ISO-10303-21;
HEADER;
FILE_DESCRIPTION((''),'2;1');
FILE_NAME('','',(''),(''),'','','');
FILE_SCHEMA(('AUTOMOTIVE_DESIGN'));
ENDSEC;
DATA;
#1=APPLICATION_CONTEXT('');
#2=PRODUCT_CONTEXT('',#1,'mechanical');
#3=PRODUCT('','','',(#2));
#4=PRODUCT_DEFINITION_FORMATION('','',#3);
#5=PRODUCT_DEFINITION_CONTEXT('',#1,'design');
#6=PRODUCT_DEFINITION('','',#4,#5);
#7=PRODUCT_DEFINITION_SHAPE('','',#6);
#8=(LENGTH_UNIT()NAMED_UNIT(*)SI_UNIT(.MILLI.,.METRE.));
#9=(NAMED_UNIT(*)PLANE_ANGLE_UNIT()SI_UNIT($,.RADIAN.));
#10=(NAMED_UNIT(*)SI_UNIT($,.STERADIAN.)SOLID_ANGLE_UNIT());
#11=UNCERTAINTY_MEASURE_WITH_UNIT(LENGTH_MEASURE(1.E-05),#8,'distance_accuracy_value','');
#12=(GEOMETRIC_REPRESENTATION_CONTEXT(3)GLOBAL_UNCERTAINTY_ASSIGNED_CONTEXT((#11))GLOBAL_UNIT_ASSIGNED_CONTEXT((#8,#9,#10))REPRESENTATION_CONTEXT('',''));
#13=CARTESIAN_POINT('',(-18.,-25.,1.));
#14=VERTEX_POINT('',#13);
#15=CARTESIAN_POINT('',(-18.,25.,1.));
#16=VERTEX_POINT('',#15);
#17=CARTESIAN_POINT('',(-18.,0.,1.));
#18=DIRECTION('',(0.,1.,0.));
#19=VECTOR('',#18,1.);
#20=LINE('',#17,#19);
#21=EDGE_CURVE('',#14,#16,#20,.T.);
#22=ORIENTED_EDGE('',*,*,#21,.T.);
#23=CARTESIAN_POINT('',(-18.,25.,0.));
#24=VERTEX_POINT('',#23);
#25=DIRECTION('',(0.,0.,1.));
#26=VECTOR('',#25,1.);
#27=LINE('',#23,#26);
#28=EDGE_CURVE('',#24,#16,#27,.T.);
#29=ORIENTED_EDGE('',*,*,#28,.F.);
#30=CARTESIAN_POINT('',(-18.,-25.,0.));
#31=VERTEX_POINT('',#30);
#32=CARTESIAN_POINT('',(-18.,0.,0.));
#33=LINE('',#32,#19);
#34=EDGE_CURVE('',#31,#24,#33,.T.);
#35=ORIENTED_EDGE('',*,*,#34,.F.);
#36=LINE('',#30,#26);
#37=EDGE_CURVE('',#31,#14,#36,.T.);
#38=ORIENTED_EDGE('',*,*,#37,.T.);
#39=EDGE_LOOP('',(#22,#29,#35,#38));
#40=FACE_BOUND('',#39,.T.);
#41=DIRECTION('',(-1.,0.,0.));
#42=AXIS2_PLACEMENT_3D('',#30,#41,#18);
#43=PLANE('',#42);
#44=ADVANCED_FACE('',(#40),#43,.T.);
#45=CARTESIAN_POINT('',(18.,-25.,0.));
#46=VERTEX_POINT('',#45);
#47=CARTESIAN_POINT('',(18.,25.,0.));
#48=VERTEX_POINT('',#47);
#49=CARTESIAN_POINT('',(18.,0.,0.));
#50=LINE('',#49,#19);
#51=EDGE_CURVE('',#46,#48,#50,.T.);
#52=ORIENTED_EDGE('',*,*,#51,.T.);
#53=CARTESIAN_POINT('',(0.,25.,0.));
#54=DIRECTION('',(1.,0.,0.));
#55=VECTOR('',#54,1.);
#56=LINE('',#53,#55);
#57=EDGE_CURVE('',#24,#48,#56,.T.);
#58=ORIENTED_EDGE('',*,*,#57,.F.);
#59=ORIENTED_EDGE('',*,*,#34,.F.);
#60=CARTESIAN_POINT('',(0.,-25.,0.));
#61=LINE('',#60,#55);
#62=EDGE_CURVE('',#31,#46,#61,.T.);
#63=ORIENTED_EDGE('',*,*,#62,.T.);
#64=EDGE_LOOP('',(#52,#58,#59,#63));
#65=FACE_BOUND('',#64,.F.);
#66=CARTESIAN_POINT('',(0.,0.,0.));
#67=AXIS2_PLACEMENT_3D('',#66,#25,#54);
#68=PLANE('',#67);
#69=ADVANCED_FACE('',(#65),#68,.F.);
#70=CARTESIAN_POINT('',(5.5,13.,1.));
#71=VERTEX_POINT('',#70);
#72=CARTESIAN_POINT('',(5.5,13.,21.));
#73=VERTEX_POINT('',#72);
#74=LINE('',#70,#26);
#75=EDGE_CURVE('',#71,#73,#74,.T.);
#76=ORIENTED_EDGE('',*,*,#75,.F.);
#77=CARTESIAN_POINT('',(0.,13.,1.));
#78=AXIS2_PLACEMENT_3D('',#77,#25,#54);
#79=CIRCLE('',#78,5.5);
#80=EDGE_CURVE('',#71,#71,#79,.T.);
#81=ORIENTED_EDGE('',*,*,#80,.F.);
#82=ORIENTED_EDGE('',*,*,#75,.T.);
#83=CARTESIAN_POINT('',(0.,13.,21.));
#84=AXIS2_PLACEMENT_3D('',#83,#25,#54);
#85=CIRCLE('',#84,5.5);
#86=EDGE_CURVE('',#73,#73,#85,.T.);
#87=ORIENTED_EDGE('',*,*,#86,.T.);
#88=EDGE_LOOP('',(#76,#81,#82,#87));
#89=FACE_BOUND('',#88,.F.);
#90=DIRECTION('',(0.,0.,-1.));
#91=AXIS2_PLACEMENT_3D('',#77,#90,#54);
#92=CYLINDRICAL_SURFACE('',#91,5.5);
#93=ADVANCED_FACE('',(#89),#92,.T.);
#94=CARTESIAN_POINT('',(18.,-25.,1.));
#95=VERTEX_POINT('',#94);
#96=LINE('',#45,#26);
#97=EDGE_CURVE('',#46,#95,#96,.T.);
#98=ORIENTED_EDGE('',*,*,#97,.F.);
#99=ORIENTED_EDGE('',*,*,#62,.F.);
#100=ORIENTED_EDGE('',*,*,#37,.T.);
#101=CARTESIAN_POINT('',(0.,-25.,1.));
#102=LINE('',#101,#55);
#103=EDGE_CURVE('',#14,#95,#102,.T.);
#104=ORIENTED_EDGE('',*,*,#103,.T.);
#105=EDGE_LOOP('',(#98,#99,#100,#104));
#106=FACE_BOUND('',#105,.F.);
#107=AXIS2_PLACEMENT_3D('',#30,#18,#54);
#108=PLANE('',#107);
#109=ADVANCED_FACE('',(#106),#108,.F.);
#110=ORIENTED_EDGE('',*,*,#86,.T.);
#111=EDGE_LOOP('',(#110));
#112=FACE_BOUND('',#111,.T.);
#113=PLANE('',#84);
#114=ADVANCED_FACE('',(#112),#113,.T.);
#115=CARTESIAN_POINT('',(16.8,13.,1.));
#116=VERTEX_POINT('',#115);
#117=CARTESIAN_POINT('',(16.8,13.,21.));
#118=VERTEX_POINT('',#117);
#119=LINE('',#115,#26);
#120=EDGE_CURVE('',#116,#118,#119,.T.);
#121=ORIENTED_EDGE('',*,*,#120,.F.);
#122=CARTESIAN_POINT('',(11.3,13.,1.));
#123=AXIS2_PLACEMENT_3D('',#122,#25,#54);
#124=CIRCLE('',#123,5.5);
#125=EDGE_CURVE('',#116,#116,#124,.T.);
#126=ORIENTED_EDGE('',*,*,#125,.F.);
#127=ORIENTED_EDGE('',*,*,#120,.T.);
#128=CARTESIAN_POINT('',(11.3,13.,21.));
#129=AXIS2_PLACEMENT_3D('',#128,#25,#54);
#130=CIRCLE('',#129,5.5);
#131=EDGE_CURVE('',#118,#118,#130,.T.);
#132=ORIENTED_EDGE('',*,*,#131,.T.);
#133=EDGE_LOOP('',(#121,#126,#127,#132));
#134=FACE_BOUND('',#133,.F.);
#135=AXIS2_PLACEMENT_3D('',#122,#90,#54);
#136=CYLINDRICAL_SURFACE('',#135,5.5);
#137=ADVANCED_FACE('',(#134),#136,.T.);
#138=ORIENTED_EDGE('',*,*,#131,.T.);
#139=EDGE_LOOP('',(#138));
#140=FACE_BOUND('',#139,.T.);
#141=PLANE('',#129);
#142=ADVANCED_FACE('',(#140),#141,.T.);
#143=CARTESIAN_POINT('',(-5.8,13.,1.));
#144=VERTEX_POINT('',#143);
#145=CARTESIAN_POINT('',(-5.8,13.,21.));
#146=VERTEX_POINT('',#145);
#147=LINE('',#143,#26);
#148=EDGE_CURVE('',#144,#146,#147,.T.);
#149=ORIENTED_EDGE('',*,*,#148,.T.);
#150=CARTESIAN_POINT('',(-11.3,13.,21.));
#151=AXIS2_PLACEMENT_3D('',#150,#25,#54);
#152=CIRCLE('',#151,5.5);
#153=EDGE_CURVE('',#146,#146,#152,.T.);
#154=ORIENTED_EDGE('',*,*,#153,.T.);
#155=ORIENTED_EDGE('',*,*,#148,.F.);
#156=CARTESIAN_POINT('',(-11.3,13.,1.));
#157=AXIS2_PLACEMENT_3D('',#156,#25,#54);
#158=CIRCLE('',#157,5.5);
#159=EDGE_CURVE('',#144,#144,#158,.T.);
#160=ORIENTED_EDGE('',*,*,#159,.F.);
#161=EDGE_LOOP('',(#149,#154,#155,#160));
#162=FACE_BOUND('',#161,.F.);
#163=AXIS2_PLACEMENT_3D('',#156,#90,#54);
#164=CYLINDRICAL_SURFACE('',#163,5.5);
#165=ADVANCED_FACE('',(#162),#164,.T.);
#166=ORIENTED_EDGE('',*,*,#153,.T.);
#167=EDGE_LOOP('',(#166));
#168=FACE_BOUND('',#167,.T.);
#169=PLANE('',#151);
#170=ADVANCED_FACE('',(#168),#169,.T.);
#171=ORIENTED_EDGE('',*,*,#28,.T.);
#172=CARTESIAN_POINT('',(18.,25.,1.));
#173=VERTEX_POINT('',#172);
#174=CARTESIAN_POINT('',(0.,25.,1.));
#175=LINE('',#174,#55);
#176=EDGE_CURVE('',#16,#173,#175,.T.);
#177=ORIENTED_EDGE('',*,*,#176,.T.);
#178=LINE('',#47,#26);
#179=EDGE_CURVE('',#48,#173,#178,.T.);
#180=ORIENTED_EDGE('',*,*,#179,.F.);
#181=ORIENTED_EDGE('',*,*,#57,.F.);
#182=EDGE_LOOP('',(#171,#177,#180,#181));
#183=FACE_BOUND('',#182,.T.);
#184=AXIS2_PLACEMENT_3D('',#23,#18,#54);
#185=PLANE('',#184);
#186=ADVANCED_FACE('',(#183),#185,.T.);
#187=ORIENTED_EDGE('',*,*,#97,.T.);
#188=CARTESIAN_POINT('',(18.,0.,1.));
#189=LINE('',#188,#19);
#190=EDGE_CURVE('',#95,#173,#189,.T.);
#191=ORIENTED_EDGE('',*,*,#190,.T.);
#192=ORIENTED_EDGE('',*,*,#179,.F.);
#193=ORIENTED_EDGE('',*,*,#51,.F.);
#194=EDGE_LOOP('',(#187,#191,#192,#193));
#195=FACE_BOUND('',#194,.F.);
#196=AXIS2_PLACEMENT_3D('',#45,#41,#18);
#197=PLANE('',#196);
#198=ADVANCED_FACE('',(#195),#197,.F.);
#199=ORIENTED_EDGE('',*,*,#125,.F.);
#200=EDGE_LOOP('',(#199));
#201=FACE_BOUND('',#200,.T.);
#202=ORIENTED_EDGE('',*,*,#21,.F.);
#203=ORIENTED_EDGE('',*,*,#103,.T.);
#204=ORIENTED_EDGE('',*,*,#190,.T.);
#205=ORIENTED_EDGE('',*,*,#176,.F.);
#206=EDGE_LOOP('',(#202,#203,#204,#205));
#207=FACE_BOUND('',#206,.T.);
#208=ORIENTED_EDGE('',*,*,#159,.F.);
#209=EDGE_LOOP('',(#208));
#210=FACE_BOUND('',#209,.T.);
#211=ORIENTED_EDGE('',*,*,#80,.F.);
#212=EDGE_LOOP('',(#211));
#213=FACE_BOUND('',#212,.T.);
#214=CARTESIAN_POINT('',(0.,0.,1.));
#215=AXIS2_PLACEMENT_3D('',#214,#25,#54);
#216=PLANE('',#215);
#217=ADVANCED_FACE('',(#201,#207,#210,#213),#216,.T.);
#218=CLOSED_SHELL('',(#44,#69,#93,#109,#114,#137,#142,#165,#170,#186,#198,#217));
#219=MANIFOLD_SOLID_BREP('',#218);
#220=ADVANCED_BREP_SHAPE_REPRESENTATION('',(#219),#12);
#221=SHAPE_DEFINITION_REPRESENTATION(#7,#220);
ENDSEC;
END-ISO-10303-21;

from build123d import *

# Parameters (mm, degrees)
F0_W     = 36
F0_H     = 50
F1_DEPTH = 1
F2_R     = 5.5
F3_DEPTH = 20


with BuildPart() as f1:
    # F0 (on Top) → F1 (new body)
    with BuildSketch(Plane.XY):
        Rectangle(F0_W, F0_H)
    extrude(amount=F1_DEPTH)

    # F2 (on face) → F3 (join)
    with BuildSketch(Plane.XY.offset(1)):
        with Locations((-11.3, 13)):
            Circle(F2_R)
        with Locations((0, 13)):
            Circle(F2_R)
        with Locations((11.3, 13)):
            Circle(F2_R)
    extrude(amount=F3_DEPTH)


solid = f1.part
